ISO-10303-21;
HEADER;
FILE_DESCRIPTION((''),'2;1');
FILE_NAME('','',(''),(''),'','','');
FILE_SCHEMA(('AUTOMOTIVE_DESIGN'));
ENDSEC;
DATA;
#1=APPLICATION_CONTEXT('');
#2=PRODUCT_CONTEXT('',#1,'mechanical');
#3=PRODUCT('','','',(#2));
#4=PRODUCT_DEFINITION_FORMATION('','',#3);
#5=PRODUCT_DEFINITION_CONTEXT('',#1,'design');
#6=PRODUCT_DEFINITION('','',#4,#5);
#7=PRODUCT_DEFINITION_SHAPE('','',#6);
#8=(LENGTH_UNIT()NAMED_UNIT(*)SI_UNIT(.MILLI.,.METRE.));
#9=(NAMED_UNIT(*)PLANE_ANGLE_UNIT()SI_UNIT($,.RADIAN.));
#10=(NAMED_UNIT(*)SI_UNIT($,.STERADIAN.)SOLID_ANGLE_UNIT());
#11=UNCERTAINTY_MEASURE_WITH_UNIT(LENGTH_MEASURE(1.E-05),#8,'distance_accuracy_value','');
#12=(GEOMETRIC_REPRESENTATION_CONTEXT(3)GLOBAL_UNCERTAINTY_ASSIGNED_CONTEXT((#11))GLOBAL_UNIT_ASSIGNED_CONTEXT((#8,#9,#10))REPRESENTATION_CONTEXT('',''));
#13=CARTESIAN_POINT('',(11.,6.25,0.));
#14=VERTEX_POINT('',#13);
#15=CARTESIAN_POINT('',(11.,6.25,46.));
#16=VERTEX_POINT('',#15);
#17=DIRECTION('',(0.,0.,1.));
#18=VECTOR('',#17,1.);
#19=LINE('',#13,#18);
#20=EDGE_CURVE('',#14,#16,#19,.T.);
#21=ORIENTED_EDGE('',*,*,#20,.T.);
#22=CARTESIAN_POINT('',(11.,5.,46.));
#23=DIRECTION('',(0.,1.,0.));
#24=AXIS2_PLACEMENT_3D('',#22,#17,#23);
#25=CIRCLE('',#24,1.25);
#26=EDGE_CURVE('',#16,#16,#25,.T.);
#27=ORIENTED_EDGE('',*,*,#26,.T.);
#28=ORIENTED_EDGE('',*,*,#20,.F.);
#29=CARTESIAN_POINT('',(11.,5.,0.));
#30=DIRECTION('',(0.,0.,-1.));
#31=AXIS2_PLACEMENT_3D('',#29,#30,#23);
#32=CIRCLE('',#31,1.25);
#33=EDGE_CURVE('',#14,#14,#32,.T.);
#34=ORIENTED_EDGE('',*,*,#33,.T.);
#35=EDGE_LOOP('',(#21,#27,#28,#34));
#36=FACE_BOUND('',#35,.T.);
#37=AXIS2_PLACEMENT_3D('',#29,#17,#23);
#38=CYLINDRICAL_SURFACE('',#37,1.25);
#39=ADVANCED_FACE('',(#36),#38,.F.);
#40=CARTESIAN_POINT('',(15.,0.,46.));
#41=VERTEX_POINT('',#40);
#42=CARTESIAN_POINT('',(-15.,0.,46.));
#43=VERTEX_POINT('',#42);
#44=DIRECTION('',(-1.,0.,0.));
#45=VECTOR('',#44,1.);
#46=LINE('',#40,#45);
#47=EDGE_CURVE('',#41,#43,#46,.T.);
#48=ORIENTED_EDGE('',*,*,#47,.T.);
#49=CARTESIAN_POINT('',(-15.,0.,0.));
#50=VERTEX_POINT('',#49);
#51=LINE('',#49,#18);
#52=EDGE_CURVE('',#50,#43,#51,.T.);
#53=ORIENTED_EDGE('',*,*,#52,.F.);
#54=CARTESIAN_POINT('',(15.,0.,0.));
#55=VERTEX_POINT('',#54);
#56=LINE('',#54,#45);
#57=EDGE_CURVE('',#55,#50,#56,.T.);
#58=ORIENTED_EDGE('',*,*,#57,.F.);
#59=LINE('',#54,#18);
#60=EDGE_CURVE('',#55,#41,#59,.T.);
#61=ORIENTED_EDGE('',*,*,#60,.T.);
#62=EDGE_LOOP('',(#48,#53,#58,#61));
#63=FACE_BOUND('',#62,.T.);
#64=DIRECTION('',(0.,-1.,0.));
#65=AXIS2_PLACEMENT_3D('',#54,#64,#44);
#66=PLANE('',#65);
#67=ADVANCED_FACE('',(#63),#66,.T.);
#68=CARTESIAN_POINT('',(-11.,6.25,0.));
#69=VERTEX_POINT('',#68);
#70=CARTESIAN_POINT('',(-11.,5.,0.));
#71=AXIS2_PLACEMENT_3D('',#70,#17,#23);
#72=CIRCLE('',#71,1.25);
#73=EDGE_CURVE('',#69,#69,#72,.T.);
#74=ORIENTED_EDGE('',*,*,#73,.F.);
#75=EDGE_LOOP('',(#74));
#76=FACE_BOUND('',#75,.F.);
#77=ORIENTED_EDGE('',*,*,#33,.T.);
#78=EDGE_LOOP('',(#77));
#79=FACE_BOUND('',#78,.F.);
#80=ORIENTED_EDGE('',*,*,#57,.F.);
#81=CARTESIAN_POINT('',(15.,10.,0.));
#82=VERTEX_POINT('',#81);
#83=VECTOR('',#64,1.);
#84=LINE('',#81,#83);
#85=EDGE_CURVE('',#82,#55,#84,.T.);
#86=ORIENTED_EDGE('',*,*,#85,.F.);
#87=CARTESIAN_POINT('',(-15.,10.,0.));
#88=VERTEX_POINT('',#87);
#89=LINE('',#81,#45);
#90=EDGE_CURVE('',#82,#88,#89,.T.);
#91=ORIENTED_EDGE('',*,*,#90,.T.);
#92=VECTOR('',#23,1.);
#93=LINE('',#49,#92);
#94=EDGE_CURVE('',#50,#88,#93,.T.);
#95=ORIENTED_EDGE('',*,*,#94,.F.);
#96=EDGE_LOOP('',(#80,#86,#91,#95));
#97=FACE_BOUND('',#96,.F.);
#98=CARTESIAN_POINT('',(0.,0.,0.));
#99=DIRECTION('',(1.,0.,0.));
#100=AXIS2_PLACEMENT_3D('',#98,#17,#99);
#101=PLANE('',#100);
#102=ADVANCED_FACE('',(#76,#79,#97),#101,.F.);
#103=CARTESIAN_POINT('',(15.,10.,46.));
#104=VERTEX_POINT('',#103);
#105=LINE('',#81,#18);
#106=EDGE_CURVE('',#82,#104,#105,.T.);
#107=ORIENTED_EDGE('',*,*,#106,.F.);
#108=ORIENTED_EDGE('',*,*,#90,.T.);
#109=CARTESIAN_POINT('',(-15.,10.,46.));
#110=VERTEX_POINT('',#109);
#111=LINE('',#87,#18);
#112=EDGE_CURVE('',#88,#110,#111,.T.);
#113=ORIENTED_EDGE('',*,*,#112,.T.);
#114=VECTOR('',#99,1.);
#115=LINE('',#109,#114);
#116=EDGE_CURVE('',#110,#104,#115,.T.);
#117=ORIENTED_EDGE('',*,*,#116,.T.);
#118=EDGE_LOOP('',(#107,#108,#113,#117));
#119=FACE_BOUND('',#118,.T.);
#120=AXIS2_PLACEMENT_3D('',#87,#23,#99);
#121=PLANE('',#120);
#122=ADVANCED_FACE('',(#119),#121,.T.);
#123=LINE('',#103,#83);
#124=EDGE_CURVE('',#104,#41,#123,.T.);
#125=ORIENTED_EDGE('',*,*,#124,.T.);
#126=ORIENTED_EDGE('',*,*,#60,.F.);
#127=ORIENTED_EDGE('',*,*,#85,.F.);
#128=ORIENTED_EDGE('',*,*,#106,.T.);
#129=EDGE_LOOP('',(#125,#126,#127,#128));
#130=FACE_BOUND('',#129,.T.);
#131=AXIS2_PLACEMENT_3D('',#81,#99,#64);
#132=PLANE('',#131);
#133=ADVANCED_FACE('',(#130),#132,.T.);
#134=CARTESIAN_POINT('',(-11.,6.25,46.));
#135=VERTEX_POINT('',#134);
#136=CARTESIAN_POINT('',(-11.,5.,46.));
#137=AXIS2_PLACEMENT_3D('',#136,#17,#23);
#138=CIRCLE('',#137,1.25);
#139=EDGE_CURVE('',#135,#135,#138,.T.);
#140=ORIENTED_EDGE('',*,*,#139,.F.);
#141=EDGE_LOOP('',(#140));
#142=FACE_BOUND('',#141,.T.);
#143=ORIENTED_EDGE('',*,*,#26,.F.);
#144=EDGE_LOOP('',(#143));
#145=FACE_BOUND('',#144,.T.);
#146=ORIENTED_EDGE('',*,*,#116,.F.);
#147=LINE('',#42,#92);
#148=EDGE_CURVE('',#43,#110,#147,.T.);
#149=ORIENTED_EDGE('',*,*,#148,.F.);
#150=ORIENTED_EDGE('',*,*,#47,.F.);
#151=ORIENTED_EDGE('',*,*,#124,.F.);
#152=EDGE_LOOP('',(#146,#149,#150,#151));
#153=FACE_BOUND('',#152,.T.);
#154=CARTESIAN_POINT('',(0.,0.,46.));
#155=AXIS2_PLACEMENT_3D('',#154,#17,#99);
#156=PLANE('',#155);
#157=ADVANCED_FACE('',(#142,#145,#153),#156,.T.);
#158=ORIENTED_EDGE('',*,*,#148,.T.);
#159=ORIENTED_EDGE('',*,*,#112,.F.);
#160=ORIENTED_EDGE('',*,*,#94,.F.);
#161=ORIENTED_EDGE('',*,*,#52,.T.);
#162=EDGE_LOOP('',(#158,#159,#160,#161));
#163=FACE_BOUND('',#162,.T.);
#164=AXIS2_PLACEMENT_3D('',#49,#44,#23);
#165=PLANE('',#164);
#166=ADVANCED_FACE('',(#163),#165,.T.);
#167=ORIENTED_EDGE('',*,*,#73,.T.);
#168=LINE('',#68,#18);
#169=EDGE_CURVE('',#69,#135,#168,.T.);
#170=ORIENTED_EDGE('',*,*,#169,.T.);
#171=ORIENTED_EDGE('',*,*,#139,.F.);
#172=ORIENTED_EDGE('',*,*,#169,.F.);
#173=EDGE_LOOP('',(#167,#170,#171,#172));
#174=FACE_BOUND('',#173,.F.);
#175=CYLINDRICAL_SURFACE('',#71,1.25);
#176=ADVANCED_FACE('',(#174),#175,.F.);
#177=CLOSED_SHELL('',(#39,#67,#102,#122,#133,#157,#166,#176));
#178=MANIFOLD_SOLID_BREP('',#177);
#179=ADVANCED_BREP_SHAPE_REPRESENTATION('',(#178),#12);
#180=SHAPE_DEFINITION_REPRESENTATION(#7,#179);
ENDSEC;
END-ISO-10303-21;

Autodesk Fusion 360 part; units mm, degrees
sketch "Esquisse1" plane through (0, 0, 0) normal (0, 0, 1) x (1, 0, 0)
  line L0 (-15, 10) -> (15, 10)
  line L1 (15, 10) -> (15, 0)
  line L2 (15, 0) -> (-15, 0)
  line L3 (-15, 0) -> (-15, 10)
  line L4 (0, 1.75) -> (0, 22.5)
  dimension "d1" = 30
  dimension "d2" = 10
extrude "Extrusion1" add sketch "Esquisse1" along normal blind 46
sketch "Esquisse2" plane through (0, 0, 0) normal (0, 0, -1) x (1, 0, 0)
  line L0 (15, 0) -> (-15, 0)
  line L1 (-15, 0) -> (-15, -10)
  line L2 (-15, -10) -> (15, -10)
  line L3 (15, -10) -> (15, 0)
  point P0 (-11, -5)
  dimension "d5" = 11
  dimension "d6" = 5
hole "Perçage1" at (-11, 5, 0) direction (0, 0, 1) diameter 2.5 depth 57 tip angle 118
mirror "Symétrie miroir1" about plane through (0, 0, 0) normal (1, 0, 0) of "Perçage1"
